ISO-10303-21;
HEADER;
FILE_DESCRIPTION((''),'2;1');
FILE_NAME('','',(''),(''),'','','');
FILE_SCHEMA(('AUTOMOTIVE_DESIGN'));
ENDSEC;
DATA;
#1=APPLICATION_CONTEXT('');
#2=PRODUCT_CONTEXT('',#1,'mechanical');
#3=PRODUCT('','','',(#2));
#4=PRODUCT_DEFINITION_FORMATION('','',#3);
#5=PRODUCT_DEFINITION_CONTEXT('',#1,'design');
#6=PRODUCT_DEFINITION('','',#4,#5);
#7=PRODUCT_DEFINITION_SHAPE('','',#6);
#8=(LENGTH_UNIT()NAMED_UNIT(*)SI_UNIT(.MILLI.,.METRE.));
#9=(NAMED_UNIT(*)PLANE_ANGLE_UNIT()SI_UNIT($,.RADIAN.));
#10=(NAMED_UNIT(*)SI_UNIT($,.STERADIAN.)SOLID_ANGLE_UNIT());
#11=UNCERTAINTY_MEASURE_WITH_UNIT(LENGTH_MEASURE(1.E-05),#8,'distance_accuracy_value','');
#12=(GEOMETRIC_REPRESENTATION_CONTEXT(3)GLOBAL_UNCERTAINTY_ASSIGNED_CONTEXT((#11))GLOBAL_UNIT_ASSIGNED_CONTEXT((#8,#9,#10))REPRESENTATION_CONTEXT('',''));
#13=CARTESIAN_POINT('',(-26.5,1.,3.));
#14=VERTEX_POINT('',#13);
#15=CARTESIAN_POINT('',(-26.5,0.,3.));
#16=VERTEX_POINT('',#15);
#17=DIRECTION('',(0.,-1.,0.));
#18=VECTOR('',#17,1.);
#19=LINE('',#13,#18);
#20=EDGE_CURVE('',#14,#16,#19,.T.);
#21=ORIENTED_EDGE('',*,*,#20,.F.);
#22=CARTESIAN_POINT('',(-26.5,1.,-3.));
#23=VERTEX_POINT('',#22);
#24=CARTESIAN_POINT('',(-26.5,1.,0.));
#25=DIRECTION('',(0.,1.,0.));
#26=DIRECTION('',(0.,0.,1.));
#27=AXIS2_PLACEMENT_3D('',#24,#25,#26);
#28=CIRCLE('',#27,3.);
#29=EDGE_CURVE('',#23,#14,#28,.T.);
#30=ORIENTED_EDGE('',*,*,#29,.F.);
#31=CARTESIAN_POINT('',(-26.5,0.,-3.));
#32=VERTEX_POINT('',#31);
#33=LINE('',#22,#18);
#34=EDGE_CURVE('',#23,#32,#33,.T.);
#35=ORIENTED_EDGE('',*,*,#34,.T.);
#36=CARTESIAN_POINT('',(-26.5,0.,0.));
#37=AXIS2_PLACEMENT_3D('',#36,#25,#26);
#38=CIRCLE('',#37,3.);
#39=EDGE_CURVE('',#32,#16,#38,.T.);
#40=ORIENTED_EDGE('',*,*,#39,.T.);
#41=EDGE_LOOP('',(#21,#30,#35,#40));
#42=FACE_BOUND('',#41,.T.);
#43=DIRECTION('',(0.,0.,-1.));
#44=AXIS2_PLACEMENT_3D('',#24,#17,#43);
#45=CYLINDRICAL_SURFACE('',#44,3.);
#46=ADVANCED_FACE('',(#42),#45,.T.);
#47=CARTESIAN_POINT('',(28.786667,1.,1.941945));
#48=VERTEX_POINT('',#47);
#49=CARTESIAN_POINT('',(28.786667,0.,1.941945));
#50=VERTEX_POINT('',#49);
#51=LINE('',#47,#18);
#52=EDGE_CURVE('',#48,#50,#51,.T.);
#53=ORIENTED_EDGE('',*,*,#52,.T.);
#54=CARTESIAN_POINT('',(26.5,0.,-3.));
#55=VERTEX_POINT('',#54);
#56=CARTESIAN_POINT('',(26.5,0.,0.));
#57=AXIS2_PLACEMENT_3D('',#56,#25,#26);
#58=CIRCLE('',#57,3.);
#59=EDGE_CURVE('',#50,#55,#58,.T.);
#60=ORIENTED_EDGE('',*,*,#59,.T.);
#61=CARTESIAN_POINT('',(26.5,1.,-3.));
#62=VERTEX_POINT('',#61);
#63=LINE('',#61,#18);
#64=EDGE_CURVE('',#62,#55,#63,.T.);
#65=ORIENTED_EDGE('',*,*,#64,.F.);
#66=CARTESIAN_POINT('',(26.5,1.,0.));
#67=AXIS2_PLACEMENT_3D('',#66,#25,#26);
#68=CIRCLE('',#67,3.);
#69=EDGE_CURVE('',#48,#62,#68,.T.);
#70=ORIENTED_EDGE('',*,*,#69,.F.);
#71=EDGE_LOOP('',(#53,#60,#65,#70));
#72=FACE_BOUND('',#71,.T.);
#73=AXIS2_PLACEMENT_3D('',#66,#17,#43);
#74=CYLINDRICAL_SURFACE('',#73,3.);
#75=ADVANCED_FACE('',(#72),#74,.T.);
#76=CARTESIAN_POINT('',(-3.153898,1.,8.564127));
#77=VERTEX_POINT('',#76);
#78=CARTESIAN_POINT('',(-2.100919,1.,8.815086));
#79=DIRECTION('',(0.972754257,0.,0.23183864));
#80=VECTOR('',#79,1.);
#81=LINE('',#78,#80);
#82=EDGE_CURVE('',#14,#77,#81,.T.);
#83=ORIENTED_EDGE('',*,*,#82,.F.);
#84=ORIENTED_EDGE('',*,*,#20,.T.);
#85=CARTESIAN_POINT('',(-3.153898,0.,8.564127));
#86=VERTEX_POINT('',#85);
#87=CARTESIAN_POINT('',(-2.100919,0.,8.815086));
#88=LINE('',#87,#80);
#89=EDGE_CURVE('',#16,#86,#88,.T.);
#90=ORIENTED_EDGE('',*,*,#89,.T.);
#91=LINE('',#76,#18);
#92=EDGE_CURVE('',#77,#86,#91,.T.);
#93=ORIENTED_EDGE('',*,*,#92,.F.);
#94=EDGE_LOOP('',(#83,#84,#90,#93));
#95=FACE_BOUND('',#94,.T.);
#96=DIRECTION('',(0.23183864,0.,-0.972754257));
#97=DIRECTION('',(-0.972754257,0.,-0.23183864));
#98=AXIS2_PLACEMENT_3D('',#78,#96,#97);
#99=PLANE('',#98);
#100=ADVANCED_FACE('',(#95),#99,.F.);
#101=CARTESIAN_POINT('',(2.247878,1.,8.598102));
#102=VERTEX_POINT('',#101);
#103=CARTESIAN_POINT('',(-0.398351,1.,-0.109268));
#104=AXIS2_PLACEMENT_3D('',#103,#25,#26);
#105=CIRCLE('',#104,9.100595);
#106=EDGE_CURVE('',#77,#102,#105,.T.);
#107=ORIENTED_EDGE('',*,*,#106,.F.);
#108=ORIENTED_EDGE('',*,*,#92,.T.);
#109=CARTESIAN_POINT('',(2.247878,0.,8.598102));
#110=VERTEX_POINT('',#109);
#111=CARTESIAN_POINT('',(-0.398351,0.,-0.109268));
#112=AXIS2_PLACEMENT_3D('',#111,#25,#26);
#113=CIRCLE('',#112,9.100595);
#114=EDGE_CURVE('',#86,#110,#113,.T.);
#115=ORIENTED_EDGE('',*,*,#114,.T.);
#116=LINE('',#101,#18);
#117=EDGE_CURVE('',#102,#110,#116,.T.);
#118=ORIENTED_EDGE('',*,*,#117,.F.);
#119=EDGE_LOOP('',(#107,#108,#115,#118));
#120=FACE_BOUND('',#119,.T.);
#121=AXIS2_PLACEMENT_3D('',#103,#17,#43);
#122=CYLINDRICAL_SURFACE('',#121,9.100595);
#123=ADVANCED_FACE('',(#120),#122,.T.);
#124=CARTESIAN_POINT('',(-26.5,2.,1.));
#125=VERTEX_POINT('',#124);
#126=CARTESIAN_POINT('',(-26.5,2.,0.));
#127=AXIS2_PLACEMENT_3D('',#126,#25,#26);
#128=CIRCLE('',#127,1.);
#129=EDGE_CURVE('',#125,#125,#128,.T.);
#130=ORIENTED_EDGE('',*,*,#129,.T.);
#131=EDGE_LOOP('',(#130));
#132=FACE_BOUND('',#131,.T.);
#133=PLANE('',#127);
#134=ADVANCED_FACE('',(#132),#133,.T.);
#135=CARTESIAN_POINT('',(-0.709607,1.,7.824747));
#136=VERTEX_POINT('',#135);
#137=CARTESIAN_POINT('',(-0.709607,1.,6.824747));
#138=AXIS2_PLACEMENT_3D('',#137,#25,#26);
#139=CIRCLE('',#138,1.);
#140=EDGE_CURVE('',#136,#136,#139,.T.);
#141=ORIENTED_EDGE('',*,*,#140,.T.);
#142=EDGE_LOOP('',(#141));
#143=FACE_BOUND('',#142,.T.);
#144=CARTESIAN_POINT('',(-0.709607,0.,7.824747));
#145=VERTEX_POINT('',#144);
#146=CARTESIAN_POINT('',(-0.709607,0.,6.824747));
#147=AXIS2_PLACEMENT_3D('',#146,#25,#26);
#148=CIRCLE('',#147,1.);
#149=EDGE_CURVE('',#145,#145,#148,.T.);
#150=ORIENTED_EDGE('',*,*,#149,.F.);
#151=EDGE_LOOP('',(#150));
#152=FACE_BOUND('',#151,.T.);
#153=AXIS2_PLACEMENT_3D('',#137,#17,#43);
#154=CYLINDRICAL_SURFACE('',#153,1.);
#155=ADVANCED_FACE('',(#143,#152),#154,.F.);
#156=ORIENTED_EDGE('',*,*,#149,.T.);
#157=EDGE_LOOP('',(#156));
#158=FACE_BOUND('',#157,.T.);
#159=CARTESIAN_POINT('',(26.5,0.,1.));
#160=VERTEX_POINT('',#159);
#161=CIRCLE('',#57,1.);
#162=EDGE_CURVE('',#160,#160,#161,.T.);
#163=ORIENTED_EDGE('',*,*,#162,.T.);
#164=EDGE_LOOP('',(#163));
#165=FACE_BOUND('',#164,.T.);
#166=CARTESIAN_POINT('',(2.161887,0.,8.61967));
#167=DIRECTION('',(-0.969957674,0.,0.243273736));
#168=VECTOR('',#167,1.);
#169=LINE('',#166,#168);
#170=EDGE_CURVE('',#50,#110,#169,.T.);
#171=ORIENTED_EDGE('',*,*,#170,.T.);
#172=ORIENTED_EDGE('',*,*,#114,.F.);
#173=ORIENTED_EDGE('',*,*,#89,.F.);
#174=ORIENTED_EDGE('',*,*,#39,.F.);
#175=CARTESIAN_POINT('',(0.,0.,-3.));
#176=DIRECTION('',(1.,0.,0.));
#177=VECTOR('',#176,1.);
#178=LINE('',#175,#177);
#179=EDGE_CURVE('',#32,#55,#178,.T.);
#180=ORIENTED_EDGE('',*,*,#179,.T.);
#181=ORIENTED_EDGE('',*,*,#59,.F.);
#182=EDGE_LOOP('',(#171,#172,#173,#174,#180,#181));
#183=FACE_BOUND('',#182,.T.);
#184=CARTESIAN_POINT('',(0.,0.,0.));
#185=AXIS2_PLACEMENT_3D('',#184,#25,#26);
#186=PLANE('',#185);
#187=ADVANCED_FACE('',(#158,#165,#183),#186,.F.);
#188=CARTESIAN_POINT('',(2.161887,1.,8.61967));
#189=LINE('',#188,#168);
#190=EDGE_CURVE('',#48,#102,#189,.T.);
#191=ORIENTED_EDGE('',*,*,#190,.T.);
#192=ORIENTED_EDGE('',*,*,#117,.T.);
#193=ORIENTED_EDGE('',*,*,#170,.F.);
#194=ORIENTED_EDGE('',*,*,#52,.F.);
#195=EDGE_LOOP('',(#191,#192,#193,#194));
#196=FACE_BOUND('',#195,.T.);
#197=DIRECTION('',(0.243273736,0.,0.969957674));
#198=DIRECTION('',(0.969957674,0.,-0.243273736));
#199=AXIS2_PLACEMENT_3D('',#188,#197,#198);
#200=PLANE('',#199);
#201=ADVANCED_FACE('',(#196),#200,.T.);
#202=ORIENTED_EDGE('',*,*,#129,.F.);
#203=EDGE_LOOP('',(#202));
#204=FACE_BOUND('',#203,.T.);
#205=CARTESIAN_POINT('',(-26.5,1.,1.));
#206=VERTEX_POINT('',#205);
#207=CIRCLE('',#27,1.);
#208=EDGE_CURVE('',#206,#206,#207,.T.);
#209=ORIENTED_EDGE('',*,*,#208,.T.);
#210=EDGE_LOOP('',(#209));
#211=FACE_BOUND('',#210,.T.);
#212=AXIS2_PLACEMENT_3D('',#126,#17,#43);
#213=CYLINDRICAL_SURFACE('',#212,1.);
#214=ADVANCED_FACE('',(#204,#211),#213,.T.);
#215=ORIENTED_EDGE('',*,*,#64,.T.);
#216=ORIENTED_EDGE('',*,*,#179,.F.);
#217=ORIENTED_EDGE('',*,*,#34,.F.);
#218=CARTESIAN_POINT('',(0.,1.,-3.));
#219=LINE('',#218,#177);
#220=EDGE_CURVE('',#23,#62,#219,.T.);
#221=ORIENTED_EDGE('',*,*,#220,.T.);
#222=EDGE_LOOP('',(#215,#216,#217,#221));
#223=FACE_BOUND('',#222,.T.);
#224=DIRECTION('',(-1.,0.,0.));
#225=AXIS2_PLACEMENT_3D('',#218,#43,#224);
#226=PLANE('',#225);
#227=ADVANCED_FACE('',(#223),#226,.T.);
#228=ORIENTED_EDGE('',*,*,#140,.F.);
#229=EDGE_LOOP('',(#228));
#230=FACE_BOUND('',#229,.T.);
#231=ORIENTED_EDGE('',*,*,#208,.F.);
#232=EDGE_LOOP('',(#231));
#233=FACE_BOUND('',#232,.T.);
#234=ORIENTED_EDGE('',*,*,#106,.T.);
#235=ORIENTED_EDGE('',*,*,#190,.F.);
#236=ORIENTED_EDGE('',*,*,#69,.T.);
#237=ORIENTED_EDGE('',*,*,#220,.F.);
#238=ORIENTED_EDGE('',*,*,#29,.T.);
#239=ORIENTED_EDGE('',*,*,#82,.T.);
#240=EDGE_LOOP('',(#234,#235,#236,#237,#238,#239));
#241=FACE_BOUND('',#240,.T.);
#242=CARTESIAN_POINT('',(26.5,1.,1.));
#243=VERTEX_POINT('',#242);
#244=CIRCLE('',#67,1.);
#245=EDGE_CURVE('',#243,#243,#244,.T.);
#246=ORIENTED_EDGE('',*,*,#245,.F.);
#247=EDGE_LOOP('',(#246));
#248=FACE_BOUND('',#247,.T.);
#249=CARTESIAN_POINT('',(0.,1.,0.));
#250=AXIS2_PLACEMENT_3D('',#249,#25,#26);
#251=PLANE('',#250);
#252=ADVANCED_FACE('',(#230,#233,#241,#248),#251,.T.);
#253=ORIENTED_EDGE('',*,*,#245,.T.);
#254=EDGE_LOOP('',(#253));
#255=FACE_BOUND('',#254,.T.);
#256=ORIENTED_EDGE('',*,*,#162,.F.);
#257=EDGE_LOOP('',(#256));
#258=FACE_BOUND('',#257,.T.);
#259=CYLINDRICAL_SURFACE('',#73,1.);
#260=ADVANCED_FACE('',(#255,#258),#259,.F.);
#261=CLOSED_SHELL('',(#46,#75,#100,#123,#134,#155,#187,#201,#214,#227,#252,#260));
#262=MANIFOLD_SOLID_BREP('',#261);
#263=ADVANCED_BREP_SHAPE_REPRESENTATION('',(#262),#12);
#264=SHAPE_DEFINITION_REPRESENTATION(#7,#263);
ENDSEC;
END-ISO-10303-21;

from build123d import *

# Parameters (mm, degrees)
SKETCH1_R           = 1
BOSS_EXTRUDE1_DEPTH = 1
SKETCH2_R           = 1
BOSS_EXTRUDE2_DEPTH = 1
SKETCH3_R           = 1
BOSS_EXTRUDE3_DEPTH = 1


with BuildPart() as part:
    # Sketch1 → Boss-Extrude1 (new body)
    with BuildSketch(Plane(origin=(0, 0, 0), x_dir=(1, 0, 0), z_dir=(0, 1, 0))):
        with BuildLine():
            Line((-26.5, 3), (26.5, 3))
            ThreePointArc((26.5, 3), (29.222667474, 1.259794359), (28.786667416, -1.941945449))
            Line((28.786667416, -1.941945449), (2.247877744, -8.598102408))
            ThreePointArc((2.247877744, -8.598102408), (-0.45558898, -8.991146774), (-3.153897824, -8.56412735))
            Line((-3.153897824, -8.56412735), (-26.5, -3))
            ThreePointArc((-26.5, -3), (-29.5, 0), (-26.5, 3))
        make_face()
        with Locations((-26.5, 0)):
            Circle(SKETCH1_R, mode=Mode.SUBTRACT)
        with Locations((26.5, 0)):
            Circle(SKETCH1_R, mode=Mode.SUBTRACT)
        with Locations((-0.709607331, -6.824747005)):
            Circle(SKETCH1_R, mode=Mode.SUBTRACT)
    extrude(amount=BOSS_EXTRUDE1_DEPTH)



with BuildPart() as body_2:
    # Sketch2 → Boss-Extrude2 (new body)
    with BuildSketch(Plane(origin=(0, 1, 0), x_dir=(1, 0, 0), z_dir=(0, 1, 0))):
        with Locations((-26.5, 0)):
            Circle(SKETCH2_R)
    extrude(amount=BOSS_EXTRUDE2_DEPTH)


with BuildPart() as part_1:
    add(part.part)

    add(body_2.part)  # Boss-Extrude3 merges body 2
    # Sketch3 → Boss-Extrude3 (add)
    with BuildSketch(Plane.XZ):
        with Locations((-26.5, 0)):
            Circle(SKETCH3_R)
    extrude(amount=-BOSS_EXTRUDE3_DEPTH)


solid = part_1.part
